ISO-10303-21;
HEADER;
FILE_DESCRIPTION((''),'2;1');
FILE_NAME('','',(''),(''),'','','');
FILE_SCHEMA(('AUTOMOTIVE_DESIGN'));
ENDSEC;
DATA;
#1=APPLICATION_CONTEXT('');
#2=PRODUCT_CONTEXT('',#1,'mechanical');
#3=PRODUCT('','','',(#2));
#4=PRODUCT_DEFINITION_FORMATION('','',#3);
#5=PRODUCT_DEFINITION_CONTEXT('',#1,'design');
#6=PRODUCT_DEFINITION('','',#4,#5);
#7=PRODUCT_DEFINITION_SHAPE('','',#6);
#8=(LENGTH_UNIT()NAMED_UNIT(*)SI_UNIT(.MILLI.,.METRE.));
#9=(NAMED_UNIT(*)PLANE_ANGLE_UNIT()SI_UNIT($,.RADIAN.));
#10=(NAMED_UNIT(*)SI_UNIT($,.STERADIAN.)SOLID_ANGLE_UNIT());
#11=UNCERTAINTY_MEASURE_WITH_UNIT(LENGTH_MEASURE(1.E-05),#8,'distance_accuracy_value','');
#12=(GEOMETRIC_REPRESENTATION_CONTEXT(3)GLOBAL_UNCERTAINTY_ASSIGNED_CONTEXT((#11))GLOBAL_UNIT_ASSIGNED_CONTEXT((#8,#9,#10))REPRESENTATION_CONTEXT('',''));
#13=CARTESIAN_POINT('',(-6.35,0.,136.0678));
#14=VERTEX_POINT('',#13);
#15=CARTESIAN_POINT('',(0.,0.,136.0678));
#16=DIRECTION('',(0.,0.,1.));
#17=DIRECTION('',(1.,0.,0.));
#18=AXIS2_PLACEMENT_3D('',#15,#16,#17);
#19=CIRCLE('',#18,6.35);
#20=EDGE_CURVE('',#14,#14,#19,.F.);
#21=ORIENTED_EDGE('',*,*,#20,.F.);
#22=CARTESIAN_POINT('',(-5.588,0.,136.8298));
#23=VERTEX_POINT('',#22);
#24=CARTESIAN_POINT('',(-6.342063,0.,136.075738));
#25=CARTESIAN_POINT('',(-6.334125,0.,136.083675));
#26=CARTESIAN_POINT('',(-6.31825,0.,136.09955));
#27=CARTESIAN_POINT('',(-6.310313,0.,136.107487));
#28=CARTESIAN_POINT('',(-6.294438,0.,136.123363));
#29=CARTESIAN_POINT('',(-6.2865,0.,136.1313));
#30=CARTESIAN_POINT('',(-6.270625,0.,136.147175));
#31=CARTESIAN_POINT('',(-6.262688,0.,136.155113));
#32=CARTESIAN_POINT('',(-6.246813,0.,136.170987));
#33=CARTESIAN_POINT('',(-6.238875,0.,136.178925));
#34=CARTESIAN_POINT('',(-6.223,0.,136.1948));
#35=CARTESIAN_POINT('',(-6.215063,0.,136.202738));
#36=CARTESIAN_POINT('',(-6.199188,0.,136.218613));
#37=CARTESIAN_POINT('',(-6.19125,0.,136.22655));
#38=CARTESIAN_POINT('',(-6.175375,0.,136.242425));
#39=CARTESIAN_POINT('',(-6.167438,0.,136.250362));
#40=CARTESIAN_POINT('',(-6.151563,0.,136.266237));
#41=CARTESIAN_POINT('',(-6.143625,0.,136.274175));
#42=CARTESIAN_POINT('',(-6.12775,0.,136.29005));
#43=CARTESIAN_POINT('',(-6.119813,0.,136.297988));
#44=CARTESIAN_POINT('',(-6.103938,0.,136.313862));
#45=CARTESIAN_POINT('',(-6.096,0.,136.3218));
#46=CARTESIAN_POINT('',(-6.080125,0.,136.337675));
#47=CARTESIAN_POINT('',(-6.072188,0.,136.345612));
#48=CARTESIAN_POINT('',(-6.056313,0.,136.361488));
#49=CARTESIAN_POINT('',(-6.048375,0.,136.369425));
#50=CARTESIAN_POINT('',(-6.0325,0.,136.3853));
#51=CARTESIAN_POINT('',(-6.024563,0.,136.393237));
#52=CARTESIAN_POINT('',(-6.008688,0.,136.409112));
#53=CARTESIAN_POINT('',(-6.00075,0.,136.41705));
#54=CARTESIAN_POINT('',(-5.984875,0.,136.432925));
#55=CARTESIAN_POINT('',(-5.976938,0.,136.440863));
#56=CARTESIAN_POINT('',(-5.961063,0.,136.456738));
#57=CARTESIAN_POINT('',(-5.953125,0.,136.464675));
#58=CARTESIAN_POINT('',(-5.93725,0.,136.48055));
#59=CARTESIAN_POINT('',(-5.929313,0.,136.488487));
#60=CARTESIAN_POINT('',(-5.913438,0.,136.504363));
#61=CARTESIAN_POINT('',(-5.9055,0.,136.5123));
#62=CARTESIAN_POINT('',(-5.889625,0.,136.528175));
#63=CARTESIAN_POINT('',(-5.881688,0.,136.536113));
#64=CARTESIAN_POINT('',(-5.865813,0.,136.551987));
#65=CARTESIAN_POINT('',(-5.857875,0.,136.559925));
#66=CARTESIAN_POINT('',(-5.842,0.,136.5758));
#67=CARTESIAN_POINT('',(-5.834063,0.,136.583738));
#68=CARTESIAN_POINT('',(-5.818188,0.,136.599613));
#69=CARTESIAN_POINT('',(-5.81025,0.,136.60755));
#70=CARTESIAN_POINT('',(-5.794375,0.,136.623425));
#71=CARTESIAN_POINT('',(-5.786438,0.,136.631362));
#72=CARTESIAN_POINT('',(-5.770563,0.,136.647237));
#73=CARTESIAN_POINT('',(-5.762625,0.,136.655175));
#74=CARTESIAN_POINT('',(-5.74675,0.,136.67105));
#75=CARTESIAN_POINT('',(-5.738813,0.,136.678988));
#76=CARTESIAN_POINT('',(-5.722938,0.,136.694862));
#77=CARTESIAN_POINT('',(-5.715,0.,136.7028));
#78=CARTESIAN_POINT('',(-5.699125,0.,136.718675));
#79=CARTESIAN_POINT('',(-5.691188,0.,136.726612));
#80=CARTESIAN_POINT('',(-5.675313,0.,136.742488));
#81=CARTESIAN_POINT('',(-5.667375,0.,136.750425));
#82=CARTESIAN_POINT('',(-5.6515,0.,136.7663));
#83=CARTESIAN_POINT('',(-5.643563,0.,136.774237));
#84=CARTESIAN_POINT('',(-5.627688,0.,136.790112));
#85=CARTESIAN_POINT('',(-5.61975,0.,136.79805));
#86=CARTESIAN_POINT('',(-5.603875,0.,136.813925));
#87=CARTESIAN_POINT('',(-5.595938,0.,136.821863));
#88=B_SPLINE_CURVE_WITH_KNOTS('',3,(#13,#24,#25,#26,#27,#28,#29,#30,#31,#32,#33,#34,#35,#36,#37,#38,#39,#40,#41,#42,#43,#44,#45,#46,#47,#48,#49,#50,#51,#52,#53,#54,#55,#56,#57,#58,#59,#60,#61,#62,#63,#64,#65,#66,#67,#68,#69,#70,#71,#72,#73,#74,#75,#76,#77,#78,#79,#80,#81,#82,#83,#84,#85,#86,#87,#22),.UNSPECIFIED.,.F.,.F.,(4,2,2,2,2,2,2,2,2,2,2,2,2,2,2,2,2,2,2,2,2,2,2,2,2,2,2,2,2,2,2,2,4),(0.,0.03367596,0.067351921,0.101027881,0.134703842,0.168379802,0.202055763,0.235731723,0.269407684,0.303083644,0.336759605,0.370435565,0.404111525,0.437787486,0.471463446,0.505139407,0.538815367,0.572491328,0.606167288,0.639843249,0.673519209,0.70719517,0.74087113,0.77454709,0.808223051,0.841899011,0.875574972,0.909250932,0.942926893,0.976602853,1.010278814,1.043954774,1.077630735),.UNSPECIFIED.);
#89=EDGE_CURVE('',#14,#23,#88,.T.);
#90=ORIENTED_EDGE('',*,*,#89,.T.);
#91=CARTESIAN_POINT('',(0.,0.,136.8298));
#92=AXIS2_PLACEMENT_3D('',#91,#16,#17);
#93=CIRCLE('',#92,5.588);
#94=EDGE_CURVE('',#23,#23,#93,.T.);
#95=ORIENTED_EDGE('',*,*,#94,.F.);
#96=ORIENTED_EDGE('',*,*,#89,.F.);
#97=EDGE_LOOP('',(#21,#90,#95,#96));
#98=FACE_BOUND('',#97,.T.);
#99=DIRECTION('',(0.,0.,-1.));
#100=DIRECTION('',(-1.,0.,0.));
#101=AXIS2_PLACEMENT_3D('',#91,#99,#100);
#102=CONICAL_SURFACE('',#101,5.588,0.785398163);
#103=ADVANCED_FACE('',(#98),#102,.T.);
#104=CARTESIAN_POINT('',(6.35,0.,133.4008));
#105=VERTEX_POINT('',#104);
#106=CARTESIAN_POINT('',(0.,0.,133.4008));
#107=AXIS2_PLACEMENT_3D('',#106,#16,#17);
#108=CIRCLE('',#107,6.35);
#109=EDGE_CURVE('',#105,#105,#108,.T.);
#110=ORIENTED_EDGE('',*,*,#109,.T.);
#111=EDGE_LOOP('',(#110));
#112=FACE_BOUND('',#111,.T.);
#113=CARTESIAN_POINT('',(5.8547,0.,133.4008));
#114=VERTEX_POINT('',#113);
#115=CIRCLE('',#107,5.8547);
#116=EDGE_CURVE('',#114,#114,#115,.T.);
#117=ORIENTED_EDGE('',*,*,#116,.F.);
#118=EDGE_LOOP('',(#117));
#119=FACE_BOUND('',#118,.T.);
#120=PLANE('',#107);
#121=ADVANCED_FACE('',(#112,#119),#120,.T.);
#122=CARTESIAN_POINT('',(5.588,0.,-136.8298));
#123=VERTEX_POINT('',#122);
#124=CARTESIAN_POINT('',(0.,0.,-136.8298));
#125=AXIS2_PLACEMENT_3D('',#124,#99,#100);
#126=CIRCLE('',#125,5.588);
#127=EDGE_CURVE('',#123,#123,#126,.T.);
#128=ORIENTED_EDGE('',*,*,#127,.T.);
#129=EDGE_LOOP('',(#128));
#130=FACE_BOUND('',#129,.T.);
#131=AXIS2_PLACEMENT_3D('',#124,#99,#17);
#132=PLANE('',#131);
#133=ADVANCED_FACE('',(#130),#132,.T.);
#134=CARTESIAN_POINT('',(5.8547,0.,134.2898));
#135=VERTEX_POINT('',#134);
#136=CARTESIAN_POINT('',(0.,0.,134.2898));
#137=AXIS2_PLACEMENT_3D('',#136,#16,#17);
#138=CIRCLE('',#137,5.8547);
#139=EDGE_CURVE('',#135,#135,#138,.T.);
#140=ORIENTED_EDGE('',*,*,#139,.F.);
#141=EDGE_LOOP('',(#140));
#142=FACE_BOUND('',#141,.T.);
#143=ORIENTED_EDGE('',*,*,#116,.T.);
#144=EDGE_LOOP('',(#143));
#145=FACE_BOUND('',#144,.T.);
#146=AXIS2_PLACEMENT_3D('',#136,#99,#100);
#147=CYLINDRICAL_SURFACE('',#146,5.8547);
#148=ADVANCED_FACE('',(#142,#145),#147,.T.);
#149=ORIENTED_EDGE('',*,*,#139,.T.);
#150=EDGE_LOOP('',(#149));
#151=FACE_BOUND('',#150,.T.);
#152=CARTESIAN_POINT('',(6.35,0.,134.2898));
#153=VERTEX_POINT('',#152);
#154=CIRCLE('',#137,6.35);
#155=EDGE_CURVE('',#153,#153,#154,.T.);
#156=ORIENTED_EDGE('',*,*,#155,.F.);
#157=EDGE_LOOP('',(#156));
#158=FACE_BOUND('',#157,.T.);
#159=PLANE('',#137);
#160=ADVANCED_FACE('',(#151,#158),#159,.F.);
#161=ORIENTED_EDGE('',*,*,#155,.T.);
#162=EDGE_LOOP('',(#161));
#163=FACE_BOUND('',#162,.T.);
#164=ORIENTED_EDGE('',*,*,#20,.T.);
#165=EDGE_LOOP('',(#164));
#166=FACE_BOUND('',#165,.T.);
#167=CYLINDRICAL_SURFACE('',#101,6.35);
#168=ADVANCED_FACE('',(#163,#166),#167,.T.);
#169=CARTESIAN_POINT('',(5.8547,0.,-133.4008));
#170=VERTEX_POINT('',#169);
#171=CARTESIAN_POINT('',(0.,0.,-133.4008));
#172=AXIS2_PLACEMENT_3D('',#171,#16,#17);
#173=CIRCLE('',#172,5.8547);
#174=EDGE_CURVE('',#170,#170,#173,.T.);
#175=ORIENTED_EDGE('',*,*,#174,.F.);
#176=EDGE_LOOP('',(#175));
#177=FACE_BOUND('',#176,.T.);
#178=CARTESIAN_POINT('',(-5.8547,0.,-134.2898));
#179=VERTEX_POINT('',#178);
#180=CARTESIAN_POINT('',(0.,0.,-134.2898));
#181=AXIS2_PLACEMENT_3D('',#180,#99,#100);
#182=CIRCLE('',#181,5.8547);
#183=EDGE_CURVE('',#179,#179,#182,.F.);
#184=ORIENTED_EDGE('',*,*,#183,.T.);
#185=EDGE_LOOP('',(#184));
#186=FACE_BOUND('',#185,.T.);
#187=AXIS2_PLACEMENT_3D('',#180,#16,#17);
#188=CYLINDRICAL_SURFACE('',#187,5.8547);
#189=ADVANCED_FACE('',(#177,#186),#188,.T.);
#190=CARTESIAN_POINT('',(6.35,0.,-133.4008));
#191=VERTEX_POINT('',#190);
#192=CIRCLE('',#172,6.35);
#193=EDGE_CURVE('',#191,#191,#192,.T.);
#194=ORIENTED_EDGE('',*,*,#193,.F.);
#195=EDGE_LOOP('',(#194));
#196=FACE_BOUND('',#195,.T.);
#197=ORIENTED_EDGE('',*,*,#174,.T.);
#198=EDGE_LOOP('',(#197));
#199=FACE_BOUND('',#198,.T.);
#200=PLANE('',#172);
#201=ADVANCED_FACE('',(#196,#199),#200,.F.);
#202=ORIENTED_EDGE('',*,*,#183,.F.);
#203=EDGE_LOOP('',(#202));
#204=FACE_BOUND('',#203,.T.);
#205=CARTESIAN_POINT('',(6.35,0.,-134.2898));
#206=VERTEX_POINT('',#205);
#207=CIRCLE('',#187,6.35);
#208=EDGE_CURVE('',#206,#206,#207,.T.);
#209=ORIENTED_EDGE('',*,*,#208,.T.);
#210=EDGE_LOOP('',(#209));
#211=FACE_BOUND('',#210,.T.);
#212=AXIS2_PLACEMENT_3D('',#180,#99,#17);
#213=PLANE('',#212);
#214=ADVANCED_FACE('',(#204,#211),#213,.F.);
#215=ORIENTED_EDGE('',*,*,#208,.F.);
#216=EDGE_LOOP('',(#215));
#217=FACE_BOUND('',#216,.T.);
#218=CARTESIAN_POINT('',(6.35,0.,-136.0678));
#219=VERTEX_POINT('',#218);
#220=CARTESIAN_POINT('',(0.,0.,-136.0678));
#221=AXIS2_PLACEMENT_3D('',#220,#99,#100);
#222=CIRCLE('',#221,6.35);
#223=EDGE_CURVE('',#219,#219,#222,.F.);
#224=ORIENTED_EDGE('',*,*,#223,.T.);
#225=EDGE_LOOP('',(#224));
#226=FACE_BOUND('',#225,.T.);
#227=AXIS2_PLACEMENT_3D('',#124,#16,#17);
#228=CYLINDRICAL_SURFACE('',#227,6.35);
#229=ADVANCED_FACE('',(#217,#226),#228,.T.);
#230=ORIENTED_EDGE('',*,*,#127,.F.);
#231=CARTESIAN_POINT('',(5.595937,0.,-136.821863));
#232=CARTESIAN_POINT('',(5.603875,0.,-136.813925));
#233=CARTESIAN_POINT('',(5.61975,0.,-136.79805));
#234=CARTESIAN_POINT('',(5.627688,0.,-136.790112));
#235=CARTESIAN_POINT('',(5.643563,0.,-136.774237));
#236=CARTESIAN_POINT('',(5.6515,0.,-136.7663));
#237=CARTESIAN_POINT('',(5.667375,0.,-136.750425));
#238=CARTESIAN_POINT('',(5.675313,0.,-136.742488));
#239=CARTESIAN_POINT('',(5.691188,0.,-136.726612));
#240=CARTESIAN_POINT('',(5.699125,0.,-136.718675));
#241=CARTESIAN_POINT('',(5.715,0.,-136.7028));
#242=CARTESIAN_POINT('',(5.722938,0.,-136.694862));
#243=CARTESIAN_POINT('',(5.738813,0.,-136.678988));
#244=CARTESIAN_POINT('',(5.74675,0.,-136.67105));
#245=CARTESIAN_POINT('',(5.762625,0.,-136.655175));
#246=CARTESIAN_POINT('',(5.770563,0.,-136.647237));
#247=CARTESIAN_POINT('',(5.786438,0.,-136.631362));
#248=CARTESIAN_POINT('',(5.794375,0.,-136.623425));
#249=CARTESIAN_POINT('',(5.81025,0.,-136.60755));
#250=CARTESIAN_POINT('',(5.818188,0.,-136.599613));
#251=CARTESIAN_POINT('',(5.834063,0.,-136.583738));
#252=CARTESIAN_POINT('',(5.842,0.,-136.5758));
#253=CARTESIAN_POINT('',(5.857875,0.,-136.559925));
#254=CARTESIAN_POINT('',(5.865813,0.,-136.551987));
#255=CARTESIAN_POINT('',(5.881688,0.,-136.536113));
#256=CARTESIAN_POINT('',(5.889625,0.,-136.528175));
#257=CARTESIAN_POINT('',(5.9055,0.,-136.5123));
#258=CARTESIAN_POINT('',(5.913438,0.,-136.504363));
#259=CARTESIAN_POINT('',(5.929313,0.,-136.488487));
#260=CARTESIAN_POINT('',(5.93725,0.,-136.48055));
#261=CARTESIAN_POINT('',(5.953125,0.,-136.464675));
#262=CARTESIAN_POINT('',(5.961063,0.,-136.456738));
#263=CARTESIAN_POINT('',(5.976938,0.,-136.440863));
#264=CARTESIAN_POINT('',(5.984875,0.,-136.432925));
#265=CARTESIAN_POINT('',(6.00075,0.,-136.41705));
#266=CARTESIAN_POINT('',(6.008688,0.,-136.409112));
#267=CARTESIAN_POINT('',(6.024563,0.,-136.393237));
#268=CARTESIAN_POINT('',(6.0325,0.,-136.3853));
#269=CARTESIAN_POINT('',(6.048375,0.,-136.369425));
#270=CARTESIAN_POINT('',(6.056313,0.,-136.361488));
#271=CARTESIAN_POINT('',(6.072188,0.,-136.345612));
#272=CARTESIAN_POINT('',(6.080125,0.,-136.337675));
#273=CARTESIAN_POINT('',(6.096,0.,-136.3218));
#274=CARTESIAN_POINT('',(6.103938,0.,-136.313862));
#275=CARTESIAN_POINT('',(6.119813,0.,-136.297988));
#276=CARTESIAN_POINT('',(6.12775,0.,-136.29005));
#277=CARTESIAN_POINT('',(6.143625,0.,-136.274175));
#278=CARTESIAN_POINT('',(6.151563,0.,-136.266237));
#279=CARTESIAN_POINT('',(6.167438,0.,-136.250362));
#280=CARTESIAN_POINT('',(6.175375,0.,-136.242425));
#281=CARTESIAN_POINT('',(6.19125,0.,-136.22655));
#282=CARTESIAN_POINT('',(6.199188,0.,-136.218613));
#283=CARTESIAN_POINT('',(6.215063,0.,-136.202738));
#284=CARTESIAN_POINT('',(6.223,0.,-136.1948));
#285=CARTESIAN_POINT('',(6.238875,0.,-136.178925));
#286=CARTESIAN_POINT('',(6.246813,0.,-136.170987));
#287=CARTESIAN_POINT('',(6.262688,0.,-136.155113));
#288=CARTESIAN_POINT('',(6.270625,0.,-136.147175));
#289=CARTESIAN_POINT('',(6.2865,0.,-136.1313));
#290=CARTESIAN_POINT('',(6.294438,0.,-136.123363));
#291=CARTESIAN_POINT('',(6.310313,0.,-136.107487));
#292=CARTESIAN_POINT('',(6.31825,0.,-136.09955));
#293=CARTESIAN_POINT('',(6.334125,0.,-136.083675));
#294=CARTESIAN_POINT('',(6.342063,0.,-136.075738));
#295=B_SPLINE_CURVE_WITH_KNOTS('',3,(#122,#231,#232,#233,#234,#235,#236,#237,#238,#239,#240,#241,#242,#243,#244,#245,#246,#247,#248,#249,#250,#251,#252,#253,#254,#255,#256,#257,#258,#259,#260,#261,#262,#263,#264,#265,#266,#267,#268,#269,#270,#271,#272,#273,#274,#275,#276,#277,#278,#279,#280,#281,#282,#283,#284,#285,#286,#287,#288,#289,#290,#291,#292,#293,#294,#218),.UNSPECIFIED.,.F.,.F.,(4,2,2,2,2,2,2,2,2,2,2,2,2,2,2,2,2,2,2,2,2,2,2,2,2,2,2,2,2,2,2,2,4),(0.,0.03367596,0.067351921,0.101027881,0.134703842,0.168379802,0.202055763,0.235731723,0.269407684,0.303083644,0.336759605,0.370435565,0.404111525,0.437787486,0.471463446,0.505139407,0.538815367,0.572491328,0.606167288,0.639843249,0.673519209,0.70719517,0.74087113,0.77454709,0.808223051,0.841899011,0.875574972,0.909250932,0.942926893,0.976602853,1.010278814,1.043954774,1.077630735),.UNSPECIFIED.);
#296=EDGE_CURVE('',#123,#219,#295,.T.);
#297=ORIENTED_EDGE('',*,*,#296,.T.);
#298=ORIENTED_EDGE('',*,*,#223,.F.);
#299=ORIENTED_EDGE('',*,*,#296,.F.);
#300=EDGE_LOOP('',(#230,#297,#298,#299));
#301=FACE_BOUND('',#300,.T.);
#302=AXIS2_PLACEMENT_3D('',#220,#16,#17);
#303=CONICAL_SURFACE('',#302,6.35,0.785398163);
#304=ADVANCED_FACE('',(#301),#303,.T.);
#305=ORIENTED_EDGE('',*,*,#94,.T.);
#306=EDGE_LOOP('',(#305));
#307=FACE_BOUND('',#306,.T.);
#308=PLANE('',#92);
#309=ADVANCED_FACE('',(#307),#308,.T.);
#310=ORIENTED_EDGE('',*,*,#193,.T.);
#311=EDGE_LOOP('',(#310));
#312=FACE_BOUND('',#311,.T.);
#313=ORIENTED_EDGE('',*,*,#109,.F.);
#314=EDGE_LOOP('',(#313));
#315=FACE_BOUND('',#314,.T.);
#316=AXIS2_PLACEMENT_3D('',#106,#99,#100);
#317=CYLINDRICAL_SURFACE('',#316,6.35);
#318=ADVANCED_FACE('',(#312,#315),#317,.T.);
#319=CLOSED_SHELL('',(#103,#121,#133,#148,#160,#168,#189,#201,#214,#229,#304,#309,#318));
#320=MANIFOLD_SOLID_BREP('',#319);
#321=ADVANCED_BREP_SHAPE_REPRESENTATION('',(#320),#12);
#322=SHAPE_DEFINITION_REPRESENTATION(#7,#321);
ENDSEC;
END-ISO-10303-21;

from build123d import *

# Parameters (mm, degrees)
SKETCH1_R                = 6.35
BOSS_EXTRUDE1_DEPTH      = 133.4008
SKETCH2_R                = 5.8547
BOSS_EXTRUDE2_DEPTH      = 0.889
BOSS_EXTRUDE3_START      = 2.54
SKETCH3_R                = 6.35
BOSS_EXTRUDE3_DEPTH      = 2.54
CHAMFER1_SIZE            = 0.762
CHAMFER1_OF_MIRROR1_SIZE = 0.762


with BuildPart() as part:
    # Sketch1 → Boss-Extrude1 (new, symmetric)
    with BuildSketch(Plane.XY):
        Circle(SKETCH1_R)
    extrude(amount=BOSS_EXTRUDE1_DEPTH, both=True)

    # Sketch2 → Boss-Extrude2 (add)
    with BuildSketch(Plane.XY.offset(133.4008)):
        Circle(SKETCH2_R)
    boss_extrude2 = extrude(amount=BOSS_EXTRUDE2_DEPTH)

    # Sketch3 → Boss-Extrude3 (add)
    with BuildSketch(Plane.XY.offset(134.2898).offset(BOSS_EXTRUDE3_START)):
        Circle(SKETCH3_R)
    boss_extrude3 = extrude(amount=-BOSS_EXTRUDE3_DEPTH)

    # Chamfer1
    chamfer1_edges = [part.edges().sort_by_distance(p)[0] for p in [
        (-6.35, 0, 136.8298),
    ]]
    chamfer(chamfer1_edges, length=CHAMFER1_SIZE)

    # Mirror1: Boss-Extrude2, Boss-Extrude3 across plane
    add(boss_extrude2.mirror(Plane.XY))
    add(boss_extrude3.mirror(Plane.XY))

    # Chamfer1 of Mirror1
    chamfer1_of_mirror1_edges = [part.edges().sort_by_distance(p)[0] for p in [
        (-6.35, 0, -136.8298),
    ]]
    chamfer(chamfer1_of_mirror1_edges, length=CHAMFER1_OF_MIRROR1_SIZE)


solid = part.part
